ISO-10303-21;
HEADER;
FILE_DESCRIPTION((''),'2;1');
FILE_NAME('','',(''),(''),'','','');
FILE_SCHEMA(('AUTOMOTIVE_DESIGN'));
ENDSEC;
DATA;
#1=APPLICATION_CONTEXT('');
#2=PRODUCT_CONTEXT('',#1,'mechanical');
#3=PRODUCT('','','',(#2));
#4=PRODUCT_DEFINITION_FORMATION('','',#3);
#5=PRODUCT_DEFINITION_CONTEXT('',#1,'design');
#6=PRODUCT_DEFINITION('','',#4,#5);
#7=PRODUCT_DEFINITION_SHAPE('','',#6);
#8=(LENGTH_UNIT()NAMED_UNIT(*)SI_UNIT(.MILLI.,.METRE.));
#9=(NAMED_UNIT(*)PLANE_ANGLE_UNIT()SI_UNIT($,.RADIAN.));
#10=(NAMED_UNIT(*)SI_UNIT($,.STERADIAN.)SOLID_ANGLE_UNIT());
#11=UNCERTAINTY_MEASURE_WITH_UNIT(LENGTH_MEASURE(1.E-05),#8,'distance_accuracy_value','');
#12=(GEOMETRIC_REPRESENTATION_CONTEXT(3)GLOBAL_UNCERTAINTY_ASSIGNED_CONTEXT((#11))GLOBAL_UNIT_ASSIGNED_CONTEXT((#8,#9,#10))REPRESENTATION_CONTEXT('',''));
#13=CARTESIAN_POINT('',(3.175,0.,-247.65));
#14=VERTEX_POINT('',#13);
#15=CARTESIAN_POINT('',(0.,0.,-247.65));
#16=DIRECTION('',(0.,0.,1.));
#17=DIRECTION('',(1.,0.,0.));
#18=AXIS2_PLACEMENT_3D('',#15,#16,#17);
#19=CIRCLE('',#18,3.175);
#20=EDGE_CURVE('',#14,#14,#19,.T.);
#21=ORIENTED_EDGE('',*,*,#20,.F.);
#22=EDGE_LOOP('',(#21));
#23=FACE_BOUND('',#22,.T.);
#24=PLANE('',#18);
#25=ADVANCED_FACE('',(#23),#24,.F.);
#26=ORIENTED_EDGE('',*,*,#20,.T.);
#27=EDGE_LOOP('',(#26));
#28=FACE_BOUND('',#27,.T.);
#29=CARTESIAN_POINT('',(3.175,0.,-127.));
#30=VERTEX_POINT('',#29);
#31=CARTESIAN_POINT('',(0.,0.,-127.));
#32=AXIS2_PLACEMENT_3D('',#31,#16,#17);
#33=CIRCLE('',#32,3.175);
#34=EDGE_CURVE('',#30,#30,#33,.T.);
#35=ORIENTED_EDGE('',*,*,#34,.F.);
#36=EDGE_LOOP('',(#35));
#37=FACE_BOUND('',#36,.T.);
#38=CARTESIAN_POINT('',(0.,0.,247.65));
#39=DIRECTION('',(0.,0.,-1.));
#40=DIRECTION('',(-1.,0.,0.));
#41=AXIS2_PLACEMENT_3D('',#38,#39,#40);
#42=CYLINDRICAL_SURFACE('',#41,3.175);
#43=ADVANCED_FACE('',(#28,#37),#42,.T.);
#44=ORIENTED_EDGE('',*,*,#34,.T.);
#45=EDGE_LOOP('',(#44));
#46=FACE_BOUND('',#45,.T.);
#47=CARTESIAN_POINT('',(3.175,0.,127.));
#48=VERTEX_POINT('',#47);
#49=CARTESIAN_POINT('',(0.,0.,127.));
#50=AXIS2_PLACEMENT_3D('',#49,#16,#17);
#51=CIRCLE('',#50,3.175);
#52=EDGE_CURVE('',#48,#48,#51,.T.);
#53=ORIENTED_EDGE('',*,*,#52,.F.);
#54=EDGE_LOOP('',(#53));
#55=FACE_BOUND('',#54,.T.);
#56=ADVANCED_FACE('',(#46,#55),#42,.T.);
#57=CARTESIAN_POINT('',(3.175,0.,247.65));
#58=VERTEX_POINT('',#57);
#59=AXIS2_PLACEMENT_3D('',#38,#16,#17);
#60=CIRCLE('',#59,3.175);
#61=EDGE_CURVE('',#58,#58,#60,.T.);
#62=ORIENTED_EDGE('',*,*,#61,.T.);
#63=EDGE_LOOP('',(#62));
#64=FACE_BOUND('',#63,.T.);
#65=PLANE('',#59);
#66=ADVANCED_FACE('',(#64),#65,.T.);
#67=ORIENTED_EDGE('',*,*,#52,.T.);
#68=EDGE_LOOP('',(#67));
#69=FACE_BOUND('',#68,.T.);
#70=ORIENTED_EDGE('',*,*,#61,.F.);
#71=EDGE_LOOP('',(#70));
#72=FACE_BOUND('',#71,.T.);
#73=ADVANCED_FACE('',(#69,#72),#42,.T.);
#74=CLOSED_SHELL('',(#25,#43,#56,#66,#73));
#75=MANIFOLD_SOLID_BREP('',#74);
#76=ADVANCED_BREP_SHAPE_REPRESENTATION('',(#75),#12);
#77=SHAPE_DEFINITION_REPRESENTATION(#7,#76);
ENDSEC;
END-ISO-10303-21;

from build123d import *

# Parameters (mm, degrees)
SKETCH1_R          = 3.175
BASE_EXTRUDE_DEPTH = 247.65


with BuildPart() as part:
    # Sketch1 → Base-Extrude (new body, symmetric)
    with BuildSketch(Plane.XY):
        Circle(SKETCH1_R)
    extrude(amount=BASE_EXTRUDE_DEPTH, both=True)


solid = part.part
